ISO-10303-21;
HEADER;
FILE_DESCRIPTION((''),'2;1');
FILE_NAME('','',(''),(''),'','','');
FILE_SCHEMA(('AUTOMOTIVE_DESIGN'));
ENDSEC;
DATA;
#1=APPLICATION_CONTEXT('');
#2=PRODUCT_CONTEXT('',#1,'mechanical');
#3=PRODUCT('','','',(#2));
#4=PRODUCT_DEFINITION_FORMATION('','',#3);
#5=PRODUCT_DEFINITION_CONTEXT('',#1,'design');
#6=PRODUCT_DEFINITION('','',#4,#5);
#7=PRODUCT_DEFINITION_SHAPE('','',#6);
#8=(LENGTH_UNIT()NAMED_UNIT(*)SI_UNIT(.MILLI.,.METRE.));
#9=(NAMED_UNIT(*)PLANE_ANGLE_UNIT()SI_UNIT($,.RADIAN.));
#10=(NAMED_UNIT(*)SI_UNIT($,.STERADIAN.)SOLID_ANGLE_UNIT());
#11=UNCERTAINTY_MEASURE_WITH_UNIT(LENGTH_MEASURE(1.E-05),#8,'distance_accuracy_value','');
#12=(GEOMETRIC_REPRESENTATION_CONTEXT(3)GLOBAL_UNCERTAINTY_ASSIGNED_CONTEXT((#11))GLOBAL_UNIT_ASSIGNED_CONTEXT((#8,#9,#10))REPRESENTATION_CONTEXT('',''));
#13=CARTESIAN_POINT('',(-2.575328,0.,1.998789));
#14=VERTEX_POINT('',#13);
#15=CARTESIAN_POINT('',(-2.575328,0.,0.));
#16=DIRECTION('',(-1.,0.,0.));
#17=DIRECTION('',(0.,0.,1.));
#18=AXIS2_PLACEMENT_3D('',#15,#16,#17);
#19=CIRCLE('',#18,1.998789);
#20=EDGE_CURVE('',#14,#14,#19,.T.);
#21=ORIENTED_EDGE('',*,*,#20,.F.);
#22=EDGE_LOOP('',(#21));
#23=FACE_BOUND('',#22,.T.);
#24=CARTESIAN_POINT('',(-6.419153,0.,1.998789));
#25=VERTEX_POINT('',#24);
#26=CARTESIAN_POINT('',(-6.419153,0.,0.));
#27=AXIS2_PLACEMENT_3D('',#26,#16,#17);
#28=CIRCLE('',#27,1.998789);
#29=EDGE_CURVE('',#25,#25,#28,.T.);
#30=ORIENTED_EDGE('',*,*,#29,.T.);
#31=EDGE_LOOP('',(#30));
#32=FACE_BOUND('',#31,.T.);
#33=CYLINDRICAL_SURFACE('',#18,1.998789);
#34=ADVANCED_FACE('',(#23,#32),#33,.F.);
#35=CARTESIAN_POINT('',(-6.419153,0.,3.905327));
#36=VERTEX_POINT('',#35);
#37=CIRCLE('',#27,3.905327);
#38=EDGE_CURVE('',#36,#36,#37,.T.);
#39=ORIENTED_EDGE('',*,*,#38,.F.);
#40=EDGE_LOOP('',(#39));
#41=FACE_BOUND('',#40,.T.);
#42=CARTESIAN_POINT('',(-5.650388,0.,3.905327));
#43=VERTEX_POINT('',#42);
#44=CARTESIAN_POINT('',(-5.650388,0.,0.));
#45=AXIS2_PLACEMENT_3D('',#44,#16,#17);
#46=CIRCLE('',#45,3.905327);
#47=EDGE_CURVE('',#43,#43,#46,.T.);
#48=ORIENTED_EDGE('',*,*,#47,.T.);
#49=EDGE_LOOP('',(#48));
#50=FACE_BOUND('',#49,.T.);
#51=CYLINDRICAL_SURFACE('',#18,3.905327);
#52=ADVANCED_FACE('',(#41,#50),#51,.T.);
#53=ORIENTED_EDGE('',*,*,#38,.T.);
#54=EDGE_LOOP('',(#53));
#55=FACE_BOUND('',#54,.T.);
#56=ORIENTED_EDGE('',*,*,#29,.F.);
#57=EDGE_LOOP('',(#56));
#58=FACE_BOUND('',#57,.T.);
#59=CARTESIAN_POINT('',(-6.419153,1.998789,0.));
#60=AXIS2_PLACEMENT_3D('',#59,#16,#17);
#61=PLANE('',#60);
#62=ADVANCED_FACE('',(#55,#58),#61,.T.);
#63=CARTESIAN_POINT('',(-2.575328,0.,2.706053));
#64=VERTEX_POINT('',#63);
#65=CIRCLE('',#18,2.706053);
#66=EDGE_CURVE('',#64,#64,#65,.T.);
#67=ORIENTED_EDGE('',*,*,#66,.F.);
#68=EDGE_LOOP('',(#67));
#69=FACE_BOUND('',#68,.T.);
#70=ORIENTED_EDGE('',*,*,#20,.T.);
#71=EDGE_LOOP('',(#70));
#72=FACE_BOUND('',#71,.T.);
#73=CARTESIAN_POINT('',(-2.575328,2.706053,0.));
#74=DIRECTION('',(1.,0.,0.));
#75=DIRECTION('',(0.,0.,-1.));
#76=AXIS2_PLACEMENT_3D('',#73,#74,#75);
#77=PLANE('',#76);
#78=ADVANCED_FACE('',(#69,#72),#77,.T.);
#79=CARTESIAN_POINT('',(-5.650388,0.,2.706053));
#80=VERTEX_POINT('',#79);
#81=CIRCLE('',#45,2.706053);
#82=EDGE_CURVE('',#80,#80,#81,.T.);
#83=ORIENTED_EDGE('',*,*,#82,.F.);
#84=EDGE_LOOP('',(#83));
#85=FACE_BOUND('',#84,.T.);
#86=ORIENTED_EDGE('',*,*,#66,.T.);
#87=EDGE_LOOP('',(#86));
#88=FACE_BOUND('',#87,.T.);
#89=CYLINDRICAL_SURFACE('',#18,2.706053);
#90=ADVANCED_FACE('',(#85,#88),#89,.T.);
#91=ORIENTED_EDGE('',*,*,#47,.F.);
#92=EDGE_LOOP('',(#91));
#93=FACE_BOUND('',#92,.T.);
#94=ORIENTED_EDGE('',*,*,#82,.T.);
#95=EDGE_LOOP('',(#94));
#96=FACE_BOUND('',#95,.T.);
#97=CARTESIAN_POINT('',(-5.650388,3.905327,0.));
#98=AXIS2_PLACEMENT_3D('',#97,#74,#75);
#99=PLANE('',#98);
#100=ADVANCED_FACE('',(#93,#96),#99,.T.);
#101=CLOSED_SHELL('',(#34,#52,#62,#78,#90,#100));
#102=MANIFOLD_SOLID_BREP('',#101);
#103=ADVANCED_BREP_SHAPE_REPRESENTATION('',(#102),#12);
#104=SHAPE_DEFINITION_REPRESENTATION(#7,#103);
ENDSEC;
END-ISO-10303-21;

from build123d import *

# Parameters (mm, degrees)
SCALE1_SCALE = 0.484261501


with BuildPart() as part:
    # Sketch1 → Revolve1 (revolve)
    with BuildSketch(Plane(origin=(0, 0, 0), x_dir=(-1, 0, 0), z_dir=(0, 0, -1)), mode=Mode.PRIVATE) as revolve1_sk:
        Polygon((0, 5.588), (0, 4.1275), (7.9375, 4.1275), (7.9375, 8.0645), (6.35, 8.0645), (6.35, 5.588), align=None)
    revolve(revolve1_sk.sketch.rotate(Axis((0, 0, 0), (-1, 0, 0)), 270), axis=Axis((0, 0, 0), (-1, 0, 0)))


with BuildPart() as part_1:
    # Scale1: scaled about (-4.993475751, 0, 0)
    add(part.part.scale(SCALE1_SCALE).moved(Location((-2.575327688, 0, 0))))


solid = part_1.part
